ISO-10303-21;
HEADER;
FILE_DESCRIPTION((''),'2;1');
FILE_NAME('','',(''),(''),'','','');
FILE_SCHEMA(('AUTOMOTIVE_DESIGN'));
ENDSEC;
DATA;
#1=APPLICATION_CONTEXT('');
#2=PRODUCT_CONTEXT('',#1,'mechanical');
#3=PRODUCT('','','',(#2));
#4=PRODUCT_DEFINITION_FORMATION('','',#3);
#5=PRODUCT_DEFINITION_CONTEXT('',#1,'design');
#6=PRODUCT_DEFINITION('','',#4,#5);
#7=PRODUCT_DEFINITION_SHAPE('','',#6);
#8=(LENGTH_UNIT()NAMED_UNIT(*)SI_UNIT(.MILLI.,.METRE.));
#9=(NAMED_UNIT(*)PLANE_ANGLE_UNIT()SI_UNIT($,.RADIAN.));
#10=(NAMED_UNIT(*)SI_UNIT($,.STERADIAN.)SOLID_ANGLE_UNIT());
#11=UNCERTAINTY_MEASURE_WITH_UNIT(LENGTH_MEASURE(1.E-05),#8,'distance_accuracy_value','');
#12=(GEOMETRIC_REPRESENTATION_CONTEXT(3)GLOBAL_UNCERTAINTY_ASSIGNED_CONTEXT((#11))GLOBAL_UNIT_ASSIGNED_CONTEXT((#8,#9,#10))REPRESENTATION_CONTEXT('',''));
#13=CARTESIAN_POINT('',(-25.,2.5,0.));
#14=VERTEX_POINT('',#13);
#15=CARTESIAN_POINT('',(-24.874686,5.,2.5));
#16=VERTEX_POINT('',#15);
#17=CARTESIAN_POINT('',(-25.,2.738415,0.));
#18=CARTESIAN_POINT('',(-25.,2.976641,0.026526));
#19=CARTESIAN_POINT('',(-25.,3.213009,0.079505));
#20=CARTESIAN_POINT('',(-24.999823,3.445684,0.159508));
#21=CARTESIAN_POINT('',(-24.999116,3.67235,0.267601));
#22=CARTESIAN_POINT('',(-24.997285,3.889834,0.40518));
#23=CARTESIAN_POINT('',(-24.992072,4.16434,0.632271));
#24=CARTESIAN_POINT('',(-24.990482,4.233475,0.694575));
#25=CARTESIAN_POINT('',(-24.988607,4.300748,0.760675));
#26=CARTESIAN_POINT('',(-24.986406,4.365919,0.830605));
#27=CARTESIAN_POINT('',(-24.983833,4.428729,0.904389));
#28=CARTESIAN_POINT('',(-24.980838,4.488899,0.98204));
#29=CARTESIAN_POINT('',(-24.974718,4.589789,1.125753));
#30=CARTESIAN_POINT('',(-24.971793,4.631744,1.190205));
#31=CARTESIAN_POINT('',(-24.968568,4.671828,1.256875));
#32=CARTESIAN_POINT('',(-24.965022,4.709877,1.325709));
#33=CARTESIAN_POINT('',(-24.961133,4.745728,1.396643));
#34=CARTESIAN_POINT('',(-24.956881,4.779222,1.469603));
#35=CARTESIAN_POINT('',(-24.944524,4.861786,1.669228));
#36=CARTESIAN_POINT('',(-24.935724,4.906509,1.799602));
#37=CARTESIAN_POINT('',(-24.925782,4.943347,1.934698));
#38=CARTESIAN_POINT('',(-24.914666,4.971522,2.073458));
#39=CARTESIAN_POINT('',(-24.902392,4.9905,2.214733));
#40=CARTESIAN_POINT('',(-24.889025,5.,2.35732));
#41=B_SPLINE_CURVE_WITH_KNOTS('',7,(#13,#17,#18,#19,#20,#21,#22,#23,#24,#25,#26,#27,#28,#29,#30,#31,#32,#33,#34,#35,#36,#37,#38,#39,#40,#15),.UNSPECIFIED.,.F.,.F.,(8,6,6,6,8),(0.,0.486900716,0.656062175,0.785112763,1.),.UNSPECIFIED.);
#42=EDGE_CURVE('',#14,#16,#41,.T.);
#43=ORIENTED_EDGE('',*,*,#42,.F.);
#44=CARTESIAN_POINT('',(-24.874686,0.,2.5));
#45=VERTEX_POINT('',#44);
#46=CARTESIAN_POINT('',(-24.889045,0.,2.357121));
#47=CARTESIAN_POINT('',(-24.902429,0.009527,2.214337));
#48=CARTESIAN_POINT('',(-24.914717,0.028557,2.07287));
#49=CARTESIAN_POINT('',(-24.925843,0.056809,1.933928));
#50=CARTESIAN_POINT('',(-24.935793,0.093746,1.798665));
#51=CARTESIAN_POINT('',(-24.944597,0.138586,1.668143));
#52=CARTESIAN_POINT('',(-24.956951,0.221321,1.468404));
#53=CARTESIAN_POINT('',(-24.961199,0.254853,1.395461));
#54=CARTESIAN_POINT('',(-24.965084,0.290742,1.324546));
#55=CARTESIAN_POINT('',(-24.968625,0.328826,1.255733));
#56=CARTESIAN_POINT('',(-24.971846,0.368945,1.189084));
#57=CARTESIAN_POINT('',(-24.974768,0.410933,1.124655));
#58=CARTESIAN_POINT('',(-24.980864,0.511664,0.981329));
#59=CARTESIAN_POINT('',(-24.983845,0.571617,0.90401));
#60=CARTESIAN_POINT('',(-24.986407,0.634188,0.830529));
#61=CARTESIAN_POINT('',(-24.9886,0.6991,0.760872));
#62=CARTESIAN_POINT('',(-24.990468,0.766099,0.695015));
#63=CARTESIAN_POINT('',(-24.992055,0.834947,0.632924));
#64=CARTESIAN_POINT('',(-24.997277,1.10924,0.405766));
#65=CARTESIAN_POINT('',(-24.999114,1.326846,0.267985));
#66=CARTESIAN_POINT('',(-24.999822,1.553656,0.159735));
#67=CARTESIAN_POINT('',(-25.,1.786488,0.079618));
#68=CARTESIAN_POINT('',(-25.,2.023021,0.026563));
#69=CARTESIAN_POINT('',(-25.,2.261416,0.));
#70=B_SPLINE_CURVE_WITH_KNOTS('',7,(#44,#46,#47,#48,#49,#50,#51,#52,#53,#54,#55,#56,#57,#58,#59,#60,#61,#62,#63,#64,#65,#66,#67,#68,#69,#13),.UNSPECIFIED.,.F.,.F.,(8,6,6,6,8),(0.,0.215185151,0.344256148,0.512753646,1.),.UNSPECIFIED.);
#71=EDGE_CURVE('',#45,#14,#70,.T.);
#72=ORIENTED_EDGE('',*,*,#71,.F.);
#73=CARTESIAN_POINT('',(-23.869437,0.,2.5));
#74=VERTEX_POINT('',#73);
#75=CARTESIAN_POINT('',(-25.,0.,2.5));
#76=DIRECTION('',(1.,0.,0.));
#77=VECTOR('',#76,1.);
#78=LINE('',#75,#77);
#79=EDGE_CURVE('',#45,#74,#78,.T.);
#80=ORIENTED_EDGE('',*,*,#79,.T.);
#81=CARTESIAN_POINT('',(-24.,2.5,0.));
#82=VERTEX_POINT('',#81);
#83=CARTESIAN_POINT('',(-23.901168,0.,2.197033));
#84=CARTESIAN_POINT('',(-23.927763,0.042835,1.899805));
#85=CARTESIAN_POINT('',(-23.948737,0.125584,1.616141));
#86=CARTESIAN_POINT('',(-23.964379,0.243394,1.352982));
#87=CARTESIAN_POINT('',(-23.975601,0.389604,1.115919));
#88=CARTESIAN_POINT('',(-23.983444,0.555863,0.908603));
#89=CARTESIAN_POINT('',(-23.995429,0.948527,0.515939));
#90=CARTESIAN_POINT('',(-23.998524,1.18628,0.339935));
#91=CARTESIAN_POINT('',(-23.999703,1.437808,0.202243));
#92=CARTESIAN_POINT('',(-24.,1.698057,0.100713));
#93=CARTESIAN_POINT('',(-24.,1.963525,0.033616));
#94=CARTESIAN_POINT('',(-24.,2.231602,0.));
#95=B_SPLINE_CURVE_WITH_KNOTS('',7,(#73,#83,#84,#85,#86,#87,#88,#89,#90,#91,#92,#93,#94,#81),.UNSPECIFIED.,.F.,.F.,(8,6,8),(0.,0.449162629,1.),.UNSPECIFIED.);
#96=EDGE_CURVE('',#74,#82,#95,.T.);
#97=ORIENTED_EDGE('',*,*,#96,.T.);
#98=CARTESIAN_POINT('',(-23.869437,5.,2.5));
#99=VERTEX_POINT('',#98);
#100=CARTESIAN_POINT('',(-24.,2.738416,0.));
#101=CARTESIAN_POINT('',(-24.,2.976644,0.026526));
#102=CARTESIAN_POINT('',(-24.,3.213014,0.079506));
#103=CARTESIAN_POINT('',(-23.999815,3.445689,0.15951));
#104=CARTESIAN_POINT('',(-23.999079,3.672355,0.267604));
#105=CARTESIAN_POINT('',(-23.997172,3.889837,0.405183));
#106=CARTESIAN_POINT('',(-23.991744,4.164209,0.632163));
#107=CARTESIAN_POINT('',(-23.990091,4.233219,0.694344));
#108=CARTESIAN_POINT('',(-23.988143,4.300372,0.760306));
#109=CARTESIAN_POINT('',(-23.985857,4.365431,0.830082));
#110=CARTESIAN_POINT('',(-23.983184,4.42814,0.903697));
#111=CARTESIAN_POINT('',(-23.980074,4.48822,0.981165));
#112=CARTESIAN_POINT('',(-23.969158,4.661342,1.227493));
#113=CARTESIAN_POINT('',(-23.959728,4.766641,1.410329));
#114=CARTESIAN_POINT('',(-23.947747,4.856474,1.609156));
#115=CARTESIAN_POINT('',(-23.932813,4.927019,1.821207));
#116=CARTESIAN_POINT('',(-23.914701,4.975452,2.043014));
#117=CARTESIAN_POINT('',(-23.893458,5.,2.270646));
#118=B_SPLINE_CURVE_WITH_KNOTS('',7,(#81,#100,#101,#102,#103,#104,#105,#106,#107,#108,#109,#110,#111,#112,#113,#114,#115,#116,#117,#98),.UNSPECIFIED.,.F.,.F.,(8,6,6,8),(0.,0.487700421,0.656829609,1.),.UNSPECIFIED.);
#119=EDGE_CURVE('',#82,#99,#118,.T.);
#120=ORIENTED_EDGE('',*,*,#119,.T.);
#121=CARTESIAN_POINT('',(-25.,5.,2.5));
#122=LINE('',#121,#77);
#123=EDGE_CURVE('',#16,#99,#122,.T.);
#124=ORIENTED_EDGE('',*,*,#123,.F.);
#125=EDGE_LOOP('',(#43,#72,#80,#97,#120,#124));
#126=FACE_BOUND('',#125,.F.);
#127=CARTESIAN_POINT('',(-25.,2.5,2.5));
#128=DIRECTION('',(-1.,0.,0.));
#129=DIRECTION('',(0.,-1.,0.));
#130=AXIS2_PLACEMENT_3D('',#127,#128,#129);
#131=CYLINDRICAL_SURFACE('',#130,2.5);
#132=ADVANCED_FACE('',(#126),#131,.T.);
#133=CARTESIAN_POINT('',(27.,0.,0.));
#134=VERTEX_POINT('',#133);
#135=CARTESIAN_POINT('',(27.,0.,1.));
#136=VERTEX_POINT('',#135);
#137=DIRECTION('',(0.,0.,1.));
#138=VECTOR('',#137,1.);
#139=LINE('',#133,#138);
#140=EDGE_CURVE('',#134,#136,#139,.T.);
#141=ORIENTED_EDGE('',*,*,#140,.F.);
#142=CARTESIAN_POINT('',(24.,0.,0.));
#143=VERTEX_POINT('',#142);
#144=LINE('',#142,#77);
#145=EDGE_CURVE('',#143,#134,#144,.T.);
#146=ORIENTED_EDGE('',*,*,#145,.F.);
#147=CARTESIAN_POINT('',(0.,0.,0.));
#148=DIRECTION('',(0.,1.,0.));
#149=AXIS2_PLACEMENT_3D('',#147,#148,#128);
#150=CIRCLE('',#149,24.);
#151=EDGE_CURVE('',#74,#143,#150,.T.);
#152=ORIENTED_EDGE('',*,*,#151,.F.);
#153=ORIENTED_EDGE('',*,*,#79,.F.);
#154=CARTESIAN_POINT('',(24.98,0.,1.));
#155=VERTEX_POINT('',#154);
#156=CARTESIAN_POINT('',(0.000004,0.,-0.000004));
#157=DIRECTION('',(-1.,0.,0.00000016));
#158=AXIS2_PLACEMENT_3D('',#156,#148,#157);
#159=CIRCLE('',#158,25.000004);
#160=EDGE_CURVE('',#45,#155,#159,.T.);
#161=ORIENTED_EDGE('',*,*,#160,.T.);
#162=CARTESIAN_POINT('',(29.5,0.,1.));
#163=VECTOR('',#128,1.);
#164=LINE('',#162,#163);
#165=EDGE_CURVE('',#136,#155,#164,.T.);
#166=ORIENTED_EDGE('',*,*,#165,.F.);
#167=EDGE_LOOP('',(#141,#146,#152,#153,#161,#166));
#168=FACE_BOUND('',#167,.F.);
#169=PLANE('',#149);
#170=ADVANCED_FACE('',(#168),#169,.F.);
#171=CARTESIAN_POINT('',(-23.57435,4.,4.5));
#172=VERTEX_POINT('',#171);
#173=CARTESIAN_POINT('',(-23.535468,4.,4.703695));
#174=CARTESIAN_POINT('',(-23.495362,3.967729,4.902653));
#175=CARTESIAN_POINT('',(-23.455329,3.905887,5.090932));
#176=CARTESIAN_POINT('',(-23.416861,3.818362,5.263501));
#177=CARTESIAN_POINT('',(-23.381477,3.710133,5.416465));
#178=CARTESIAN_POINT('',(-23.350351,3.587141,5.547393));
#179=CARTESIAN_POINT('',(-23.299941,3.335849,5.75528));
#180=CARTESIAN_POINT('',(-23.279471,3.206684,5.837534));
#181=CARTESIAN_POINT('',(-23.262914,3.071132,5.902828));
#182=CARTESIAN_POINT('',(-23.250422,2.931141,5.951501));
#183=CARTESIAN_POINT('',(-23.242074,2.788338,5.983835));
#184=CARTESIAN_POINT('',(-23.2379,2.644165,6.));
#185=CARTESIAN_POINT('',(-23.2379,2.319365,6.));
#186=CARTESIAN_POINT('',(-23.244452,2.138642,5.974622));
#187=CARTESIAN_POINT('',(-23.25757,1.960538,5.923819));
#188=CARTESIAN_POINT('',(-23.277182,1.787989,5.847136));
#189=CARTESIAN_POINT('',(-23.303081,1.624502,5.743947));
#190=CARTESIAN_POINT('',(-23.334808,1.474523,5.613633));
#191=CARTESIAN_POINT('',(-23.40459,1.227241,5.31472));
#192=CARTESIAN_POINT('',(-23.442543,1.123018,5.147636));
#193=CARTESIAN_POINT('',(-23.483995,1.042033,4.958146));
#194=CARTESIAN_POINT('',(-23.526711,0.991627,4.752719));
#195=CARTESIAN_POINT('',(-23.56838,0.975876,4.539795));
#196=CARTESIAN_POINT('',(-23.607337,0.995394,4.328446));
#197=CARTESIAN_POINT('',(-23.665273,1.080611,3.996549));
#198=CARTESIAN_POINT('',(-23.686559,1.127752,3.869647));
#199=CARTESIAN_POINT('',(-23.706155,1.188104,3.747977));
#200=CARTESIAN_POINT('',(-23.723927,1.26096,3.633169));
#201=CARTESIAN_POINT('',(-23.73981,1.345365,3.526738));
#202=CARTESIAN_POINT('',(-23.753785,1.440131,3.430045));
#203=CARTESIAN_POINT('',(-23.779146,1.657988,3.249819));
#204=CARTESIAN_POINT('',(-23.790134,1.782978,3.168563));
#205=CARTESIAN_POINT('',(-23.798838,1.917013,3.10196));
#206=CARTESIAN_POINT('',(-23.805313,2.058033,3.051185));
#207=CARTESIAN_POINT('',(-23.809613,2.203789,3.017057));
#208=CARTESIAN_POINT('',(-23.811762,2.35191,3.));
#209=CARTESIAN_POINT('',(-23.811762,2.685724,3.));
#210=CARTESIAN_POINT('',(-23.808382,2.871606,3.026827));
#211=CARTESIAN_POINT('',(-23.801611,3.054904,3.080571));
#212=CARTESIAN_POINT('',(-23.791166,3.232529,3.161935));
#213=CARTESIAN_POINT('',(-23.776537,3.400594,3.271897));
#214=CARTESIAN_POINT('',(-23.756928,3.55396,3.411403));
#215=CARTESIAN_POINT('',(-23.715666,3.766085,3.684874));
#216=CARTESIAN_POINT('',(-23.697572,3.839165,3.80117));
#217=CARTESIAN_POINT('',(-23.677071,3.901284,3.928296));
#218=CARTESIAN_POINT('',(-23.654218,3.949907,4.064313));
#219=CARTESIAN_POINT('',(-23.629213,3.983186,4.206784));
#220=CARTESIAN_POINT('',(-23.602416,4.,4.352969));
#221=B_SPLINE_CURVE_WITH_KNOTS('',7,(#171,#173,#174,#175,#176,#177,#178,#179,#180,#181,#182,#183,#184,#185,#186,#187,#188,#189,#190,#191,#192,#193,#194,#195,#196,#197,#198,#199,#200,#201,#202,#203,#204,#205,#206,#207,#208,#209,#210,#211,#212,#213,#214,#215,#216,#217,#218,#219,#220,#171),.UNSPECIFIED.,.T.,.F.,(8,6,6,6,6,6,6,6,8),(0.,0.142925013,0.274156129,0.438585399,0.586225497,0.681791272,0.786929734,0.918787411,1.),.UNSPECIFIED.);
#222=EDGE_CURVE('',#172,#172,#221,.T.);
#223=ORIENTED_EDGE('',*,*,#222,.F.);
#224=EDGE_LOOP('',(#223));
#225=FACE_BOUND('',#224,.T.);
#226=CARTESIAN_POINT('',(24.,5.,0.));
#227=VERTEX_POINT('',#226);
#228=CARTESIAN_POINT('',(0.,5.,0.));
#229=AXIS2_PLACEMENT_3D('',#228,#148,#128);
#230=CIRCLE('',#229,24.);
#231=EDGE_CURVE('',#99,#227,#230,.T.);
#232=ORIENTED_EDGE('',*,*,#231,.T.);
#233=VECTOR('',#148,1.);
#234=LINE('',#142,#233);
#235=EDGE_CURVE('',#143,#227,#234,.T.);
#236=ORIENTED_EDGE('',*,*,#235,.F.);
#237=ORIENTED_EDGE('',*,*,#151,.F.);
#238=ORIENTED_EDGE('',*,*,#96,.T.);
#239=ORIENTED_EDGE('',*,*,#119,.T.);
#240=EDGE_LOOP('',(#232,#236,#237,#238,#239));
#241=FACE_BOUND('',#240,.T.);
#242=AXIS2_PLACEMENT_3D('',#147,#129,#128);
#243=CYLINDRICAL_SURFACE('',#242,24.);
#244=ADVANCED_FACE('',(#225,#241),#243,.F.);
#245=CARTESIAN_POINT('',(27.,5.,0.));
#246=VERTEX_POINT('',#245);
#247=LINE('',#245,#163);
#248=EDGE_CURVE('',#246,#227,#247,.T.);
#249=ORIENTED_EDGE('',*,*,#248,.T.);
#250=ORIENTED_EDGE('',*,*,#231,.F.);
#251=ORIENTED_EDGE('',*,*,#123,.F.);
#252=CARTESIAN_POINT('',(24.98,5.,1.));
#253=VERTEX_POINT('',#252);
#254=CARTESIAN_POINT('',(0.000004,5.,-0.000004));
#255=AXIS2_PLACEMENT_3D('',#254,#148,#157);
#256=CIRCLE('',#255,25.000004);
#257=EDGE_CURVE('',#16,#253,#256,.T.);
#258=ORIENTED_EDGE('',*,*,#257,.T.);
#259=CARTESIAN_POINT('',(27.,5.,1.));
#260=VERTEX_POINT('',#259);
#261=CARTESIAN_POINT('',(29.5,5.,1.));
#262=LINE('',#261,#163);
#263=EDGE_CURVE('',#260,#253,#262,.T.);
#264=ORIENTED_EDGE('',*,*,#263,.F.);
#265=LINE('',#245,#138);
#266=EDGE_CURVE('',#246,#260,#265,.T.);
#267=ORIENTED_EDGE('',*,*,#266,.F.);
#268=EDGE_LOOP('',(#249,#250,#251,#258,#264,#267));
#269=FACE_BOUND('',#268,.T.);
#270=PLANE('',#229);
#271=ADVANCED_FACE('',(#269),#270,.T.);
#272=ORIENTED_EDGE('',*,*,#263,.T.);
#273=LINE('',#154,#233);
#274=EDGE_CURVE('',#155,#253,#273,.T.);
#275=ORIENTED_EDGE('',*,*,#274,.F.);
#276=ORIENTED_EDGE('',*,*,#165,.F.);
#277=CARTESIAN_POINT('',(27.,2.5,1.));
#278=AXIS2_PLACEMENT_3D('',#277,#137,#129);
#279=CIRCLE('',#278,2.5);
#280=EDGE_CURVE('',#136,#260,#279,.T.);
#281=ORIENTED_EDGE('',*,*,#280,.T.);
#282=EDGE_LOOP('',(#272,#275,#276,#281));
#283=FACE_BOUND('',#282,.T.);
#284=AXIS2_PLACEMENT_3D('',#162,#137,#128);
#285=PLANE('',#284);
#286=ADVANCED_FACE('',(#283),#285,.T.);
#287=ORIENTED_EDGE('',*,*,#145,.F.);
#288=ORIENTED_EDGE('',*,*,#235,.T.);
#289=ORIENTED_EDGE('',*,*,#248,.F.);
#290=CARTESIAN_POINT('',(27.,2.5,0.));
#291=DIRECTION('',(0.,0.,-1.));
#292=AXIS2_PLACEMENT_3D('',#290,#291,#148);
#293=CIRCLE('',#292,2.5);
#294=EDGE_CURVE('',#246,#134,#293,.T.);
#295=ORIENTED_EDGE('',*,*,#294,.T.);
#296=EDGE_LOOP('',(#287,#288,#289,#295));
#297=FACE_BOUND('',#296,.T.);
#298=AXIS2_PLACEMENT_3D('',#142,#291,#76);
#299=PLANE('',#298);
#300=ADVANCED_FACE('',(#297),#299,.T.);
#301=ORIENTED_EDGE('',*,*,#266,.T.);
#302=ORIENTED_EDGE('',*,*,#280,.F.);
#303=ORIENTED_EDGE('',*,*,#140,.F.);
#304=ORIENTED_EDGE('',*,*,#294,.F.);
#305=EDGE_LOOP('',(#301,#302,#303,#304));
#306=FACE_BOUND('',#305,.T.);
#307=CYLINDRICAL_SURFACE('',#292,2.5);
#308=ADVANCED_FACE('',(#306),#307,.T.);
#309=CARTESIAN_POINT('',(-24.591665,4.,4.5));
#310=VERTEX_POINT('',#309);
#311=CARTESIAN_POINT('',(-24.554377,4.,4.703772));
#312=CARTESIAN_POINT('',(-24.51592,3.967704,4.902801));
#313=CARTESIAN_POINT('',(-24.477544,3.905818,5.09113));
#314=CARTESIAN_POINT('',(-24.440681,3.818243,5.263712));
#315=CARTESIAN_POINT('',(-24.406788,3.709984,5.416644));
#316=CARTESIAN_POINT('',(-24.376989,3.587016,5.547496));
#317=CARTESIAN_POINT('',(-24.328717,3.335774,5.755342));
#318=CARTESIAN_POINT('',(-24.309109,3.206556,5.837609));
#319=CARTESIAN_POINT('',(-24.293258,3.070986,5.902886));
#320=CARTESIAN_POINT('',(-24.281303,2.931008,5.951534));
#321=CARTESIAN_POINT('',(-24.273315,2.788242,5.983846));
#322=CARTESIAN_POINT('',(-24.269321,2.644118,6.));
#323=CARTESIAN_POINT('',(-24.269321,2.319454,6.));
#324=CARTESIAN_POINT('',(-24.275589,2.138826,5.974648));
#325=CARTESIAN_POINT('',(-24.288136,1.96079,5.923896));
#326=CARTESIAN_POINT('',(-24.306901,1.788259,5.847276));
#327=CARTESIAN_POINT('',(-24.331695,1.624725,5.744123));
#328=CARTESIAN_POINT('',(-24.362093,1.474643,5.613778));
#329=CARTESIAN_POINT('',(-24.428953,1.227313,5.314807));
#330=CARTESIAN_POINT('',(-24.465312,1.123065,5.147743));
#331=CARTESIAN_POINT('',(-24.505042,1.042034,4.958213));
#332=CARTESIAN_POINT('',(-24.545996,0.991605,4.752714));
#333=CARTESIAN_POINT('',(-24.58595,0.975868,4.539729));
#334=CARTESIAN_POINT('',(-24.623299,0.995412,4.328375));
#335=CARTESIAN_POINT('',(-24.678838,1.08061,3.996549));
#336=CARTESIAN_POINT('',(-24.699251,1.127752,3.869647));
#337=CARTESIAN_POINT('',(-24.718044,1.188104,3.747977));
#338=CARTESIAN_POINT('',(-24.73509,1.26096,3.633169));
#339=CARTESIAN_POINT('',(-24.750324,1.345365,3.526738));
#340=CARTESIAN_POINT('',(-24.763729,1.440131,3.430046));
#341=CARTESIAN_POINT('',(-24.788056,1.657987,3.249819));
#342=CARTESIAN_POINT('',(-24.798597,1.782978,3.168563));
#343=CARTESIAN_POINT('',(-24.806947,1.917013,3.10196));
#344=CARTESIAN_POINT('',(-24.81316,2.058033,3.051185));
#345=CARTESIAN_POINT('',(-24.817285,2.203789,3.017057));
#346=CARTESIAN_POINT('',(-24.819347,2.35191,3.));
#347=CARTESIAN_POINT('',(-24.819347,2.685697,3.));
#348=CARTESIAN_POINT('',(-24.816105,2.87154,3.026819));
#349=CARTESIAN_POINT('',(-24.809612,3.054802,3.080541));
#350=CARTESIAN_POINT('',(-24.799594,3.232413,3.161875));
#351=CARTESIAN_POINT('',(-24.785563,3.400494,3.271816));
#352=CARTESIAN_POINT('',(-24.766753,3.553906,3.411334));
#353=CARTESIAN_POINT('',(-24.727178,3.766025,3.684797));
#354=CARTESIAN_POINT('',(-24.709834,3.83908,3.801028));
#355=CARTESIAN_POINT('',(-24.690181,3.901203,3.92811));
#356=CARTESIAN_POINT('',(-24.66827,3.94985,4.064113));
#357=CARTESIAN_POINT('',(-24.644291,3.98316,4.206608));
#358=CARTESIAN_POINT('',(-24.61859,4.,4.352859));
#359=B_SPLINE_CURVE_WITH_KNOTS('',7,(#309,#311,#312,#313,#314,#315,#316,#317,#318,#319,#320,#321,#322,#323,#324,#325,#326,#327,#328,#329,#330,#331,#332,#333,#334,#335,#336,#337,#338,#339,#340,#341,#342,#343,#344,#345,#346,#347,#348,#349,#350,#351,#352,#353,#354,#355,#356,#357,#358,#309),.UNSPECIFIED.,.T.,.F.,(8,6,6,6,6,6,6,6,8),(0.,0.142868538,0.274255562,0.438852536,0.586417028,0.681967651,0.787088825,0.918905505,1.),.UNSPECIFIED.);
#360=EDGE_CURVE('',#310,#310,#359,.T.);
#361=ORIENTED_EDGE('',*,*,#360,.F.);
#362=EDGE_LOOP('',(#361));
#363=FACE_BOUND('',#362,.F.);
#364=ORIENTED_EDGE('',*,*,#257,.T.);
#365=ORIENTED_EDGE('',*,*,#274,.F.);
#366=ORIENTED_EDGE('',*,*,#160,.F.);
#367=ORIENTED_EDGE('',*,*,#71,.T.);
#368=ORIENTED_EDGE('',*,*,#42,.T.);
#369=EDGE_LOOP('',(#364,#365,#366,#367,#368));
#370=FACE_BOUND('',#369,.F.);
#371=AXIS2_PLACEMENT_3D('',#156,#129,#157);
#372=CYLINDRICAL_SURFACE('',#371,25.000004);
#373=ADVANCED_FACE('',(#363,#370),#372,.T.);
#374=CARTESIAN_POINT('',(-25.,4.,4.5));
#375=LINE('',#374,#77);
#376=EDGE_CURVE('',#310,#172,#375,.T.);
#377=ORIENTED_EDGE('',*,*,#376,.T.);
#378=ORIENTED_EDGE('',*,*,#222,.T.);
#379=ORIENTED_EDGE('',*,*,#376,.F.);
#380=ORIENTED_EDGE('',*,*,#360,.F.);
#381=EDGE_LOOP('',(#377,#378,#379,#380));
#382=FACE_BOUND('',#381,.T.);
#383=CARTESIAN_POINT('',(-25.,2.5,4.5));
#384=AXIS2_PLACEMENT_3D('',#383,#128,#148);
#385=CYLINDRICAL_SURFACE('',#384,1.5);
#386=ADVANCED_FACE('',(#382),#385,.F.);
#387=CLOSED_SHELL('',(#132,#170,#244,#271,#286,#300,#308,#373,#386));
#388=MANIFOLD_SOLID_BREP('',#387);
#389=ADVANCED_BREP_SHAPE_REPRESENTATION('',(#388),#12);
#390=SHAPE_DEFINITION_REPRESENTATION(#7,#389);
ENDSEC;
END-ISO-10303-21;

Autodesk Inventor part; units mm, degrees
ref_plane "XZ Plane" through (0, 0, 0) normal (0, 1, 0) x (-1, 0, 0)
ref_plane "XY Plane" through (0, 0, 0) normal (0, 0, 1) x (1, 0, 0)
sketch "Sketch1" plane through (0, 0, 0) normal (0, 1, 0) x (-1, 0, 0)
  arc A0 (25, 0) -> (-24.98, 1) centre (0, 0) ccw
  arc A1 (24, 0) -> (-24, 0) centre (0, 0) ccw
  line L0 (25, 0) -> (24, 0)
  line L1 (-24, 0) -> (-25, 0)
  line L2 (-24, 0) -> (-29.5, 0)
  line L3 (-29.5, 0) -> (-29.5, 1)
  line L4 (-29.5, 1) -> (-24.98, 1)
  line L5 (-24, 1) -> (-24, 0)
extrude "Extrusion1" add sketch "Sketch1" along normal blind 5
sketch "Sketch2" plane through (29.5, 0, 0) normal (0, 0, -1) x (-1, 0, 0)
  line L0 (0, 0) -> (5.5, 0) projected
  arc A0 (2.5, 5) -> (2.5, 0) centre (2.5, 2.5) ccw
  line L1 (0, 0) -> (2.5, 0)
  line L2 (4.52, 0) -> (0, 0) projected
  line L3 (0, 0) -> (0, 2.5)
  line L4 (0, 0) -> (0, 5) projected
  line L5 (0, 2.5) -> (0, 5)
  line L6 (0, 5) -> (2.26, 5)
  line L7 (4.52, 5) -> (0, 5) projected
  line L8 (2.5, 5) -> (0, 5)
  line L9 (0, 2.5) -> (0, 5)
  line L10 (0, 2.5) -> (0, 0)
  line L11 (0, 0) -> (2.5, 0)
  arc A1 (0, 2.5) -> (2.5, 0) centre (2.5, 2.5) ccw
  arc A2 (2.5, 5) -> (0, 2.5) centre (2.5, 2.5) ccw
  point P0 (29.5, 0)
extrude "Extrusion2" cut sketch "Sketch2" against normal through all
ref_plane "Work Plane1" through (-25, 0, 0) normal (1, 0, 0) x (0, 1, 0)
sketch "Sketch3" plane through (-25, 0, 0) normal (1, 0, 0) x (0, 1, 0)
  line L0 (5, 0) -> (5, 25) construction
  line L1 (0, 0) -> (0, 2) construction
  line L2 (0, 0) -> (0, 25) construction
  line L3 (0, 0) -> (0, 2.5) construction
  arc A0 (0, 2.5) -> (5, 2.5) centre (2.5, 2.5) ccw
  line L4 (0, 0) -> (0, 2.5)
  line L5 (0, 0) -> (5, 0) projected
  line L6 (0, 0) -> (2.5, 0)
  line L7 (2.5, 0) -> (5, 0)
  line L8 (5, 0) -> (5, 2.5)
  arc A1 (0, 2.5) -> (2.5, 0) centre (2.5, 2.5) ccw
  arc A2 (2.5, 0) -> (5, 2.5) centre (2.5, 2.5) ccw
  point P0 (0, 1)
  point P1 (5, 1)
extrude "Extrusion3" cut sketch "Sketch3" along normal blind 3
sketch "Sketch4" plane through (-25, 0, 0) normal (1, 0, 0) x (0, 1, 0)
  line L0 (0, 0) -> (0, 4.5) construction
  line L1 (0, 24) -> (0, 0) construction
  line L2 (0, 4.5) -> (5, 4.5) construction
  line L3 (5, 24) -> (5, 0) construction
  circle A0 centre (2.5, 4.5) radius 1.5
  point P0 (0, 2.5)
  point P1 (5, 2.5)
  dimension "d15" = 4.5
  dimension "d16" = 3
extrude "Extrusion4" cut sketch "Sketch4" along normal blind 4
properties part number "Metal icecream cutter"
